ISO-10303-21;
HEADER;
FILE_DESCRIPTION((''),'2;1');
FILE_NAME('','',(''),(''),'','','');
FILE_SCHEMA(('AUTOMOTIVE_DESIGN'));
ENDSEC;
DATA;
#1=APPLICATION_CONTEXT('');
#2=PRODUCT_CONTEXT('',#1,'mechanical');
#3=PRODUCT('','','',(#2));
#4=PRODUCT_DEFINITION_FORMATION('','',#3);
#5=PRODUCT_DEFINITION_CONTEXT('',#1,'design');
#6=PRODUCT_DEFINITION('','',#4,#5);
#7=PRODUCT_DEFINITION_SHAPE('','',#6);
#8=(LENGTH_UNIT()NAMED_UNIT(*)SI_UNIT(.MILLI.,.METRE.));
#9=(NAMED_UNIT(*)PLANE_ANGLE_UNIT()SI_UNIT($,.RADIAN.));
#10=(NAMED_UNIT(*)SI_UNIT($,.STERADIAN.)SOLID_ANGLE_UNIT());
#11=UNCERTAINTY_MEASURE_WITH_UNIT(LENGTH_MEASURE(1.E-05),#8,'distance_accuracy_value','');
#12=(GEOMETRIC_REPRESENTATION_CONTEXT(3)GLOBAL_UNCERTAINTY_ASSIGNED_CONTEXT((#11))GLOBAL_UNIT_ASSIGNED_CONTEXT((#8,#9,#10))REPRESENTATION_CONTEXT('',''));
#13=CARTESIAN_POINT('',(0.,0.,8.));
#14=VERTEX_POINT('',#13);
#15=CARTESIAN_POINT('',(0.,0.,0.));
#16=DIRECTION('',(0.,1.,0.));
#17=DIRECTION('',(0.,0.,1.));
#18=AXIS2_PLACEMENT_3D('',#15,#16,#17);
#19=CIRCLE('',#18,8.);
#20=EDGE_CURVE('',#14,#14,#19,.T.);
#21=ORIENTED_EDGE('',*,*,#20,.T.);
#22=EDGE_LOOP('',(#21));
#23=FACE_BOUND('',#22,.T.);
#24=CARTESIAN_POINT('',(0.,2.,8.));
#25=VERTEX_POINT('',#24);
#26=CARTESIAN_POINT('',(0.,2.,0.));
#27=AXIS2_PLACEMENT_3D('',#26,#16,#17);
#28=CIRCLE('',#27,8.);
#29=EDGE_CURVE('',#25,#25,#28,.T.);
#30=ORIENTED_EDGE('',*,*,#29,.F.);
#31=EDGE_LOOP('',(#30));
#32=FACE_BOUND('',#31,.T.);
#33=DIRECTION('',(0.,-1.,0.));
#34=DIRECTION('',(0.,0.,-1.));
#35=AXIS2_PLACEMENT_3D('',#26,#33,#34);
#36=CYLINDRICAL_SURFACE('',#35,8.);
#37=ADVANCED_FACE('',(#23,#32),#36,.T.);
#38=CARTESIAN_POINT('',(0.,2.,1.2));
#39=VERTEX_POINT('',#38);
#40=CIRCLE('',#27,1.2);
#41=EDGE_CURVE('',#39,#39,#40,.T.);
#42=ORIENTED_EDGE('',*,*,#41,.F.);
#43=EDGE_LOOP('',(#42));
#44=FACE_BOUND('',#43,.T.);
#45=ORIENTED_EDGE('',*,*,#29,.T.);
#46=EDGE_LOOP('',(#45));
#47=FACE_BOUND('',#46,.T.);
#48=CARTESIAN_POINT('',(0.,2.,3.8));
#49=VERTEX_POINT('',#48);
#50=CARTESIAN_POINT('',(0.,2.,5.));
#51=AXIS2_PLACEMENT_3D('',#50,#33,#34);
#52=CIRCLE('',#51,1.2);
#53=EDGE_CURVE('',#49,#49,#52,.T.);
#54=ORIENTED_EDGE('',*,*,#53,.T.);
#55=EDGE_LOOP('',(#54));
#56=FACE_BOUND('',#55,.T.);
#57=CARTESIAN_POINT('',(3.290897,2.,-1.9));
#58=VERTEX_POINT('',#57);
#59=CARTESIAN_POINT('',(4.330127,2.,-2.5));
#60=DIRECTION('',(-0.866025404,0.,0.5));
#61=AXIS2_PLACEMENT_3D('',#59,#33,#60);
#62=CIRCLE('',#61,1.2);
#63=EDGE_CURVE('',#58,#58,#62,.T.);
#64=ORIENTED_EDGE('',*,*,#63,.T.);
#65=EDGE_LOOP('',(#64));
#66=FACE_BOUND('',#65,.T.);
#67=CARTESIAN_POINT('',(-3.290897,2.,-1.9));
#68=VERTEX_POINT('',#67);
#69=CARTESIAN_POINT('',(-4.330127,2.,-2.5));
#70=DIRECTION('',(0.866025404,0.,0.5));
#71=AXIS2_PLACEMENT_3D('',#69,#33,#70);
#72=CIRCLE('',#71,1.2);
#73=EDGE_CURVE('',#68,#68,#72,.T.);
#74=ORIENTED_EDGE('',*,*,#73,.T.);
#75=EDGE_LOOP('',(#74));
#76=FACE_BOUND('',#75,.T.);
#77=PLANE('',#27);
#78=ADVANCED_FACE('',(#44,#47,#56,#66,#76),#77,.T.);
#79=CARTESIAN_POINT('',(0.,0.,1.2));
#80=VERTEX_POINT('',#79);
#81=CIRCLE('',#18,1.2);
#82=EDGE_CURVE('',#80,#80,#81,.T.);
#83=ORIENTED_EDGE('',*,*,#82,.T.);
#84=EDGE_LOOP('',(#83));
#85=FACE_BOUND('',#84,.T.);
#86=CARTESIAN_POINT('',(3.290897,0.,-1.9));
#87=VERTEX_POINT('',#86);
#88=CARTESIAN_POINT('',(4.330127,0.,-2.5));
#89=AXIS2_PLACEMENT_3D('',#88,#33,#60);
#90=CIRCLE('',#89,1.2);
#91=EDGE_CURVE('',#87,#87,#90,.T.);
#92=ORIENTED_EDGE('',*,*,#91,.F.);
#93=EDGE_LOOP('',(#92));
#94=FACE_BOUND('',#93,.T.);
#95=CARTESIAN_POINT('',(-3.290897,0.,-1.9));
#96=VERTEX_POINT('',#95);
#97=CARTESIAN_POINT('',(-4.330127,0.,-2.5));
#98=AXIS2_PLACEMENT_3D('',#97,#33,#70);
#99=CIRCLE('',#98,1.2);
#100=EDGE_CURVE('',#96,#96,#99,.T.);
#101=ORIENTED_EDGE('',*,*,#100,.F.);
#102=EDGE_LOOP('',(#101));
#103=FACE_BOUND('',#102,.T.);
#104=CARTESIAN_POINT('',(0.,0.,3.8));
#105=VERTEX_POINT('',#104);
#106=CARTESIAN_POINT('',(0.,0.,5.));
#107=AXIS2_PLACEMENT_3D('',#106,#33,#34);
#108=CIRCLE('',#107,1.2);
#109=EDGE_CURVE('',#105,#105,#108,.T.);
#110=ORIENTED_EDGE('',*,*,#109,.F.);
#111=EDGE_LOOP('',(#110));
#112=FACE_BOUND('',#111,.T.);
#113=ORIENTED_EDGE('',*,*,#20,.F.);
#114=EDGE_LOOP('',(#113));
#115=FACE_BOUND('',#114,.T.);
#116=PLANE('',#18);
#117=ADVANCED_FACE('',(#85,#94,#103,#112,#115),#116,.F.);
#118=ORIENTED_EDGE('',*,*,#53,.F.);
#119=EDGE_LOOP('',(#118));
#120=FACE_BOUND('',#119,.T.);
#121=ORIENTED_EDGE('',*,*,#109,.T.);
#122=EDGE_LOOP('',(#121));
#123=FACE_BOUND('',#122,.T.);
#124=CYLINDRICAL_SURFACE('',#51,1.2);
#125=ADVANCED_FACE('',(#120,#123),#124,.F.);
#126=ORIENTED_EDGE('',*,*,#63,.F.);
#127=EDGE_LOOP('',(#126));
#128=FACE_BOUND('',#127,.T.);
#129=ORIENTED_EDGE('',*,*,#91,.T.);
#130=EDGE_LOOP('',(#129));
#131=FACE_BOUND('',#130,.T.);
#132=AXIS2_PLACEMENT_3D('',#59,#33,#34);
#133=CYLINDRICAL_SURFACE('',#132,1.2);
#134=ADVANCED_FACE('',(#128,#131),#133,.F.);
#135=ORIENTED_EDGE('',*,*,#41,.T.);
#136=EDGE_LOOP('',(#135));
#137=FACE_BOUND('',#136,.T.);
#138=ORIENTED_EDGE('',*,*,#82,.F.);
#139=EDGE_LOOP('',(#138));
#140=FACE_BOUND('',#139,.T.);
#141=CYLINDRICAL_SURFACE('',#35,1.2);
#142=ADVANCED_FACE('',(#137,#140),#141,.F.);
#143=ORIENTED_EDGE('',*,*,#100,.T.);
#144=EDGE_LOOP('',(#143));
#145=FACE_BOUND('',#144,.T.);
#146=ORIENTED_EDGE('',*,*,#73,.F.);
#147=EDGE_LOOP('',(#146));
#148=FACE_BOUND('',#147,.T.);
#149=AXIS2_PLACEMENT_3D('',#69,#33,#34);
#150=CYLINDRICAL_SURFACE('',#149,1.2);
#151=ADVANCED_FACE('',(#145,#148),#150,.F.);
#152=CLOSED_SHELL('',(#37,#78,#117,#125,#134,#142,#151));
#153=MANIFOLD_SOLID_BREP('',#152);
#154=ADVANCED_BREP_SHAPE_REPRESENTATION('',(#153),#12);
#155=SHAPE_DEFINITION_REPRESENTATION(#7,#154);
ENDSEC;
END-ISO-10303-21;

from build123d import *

# Parameters (mm, degrees)
SKETCH_4_R               = 8
SKETCH_4_R_2             = 1.2
EXTRUDE_1_DEPTH          = 2
SKETCH_5_R               = 1.2
CUT_EXTRUDE_1_DEPTH      = 12.489125293
PATTERN_CIRCULAR_1_COUNT = 3


with BuildPart() as part:
    # 草图4 → 凸台-拉伸1 (new body)
    with BuildSketch(Plane(origin=(0, 0, 0), x_dir=(1, 0, 0), z_dir=(0, 1, 0))):
        with Locations(Location((0, 0, 0), (0, 0, 270))):
            Circle(SKETCH_4_R)
        with Locations(Location((0, 0, 0), (0, 0, 270))):
            Circle(SKETCH_4_R_2, mode=Mode.SUBTRACT)
    extrude(amount=EXTRUDE_1_DEPTH)

    # 草图5 → 切除-拉伸1 (cut, through all)
    with BuildSketch(Plane.XZ):
        with Locations(Location((0, 5, 0), (0, 0, 270))):
            Circle(SKETCH_5_R)
    cut_extrude_1 = extrude(amount=-CUT_EXTRUDE_1_DEPTH, mode=Mode.SUBTRACT)

    # 阵列(圆周)1: 切除-拉伸1 ×3 about axis
    pattern_circular_1_axis = Axis((0, 0, 0), (0, 1, 0))
    for i in range(1, PATTERN_CIRCULAR_1_COUNT):
        add(cut_extrude_1.rotate(pattern_circular_1_axis, i * 360 / PATTERN_CIRCULAR_1_COUNT), mode=Mode.SUBTRACT)


solid = part.part
